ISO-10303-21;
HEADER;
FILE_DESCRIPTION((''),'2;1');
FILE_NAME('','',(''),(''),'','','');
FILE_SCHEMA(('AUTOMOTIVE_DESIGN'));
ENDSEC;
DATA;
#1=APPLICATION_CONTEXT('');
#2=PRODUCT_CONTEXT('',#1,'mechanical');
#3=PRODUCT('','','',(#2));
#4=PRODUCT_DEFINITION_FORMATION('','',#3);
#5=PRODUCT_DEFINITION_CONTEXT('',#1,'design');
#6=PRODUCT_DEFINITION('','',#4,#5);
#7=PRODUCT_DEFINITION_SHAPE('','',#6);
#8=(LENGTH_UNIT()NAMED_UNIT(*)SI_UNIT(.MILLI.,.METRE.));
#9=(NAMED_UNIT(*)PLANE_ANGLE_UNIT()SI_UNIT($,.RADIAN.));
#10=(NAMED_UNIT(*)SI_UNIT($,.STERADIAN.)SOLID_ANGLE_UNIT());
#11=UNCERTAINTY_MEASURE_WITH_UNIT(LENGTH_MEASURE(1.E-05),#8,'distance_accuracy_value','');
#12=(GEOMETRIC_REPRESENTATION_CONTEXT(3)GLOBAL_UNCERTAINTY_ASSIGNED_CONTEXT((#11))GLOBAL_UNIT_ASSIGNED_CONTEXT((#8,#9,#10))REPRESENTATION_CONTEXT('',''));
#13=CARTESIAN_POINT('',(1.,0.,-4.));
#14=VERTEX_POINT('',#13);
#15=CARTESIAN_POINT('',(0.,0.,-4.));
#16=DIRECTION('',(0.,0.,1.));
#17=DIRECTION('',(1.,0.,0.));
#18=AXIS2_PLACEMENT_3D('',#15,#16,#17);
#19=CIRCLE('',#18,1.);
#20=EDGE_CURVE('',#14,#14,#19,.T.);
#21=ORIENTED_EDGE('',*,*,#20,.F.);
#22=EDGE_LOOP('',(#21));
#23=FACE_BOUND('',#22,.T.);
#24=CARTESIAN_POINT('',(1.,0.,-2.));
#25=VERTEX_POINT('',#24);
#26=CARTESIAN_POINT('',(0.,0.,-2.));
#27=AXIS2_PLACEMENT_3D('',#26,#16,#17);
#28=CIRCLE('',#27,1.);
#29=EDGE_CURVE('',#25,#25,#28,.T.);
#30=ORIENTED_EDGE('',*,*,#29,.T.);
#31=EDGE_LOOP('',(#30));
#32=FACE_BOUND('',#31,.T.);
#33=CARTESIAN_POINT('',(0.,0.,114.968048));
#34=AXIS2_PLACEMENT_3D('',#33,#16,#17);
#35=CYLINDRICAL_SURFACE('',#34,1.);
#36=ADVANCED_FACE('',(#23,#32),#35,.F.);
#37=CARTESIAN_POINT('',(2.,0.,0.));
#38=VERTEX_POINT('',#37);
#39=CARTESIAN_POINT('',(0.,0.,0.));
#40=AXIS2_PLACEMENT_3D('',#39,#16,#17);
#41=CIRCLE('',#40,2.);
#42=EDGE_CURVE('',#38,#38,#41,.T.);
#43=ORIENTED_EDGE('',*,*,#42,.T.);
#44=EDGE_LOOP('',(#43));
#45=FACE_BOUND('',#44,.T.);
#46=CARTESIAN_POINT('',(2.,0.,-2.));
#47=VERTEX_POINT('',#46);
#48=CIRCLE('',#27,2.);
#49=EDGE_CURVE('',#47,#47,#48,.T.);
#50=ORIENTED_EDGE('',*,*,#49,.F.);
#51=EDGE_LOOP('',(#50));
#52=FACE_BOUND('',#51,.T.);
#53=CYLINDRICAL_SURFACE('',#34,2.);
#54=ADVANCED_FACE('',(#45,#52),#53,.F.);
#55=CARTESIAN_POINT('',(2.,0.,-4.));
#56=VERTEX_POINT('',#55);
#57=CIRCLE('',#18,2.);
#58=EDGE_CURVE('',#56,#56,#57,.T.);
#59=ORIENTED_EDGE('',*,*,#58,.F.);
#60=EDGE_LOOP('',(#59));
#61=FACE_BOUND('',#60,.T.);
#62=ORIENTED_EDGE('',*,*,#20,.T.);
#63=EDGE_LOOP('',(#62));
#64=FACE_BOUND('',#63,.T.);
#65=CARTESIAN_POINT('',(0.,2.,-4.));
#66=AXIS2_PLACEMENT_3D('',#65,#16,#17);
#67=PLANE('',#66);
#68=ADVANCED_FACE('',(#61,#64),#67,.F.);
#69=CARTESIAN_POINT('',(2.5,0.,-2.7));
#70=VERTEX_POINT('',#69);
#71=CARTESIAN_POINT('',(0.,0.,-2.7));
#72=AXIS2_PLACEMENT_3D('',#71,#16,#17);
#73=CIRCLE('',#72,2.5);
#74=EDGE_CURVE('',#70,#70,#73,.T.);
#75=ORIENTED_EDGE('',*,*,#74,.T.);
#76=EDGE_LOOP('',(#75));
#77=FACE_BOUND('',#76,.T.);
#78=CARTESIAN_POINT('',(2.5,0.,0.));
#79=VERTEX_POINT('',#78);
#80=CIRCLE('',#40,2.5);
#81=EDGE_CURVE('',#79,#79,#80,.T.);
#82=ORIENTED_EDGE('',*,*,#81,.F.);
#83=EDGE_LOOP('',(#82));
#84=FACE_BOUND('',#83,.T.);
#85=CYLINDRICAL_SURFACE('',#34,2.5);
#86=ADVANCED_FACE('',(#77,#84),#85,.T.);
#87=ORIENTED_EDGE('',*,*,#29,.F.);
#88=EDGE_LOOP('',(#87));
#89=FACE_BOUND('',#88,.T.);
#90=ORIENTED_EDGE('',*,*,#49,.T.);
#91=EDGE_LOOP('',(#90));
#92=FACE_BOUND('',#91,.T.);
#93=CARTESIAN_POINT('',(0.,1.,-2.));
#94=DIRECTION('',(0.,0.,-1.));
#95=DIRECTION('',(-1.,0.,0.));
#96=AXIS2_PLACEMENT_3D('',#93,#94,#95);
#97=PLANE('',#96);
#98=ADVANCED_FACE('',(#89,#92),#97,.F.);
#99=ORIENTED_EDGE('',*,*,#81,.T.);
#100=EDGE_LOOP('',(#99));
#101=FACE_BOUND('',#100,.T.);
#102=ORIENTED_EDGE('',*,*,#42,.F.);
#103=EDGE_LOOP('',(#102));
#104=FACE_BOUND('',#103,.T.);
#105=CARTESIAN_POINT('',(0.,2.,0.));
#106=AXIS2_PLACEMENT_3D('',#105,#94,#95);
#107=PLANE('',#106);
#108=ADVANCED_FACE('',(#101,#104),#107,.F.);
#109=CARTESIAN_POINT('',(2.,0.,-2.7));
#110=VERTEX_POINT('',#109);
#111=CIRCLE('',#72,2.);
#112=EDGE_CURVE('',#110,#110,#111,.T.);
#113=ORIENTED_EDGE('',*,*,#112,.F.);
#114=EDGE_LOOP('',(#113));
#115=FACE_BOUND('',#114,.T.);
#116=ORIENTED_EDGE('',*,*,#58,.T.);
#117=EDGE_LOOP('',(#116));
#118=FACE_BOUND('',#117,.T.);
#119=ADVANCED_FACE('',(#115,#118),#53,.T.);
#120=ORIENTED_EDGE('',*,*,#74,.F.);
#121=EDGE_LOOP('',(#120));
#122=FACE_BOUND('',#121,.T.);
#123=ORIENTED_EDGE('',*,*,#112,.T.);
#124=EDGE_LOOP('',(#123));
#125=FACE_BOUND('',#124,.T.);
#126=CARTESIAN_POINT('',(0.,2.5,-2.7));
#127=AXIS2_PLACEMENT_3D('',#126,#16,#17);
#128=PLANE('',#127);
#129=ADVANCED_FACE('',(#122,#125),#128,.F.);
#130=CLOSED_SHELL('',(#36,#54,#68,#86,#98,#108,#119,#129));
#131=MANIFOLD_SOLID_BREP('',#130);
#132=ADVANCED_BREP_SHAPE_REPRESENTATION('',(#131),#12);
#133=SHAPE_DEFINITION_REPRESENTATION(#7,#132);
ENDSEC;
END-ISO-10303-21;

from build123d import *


with BuildPart() as part:
    # Sketch1 → Revolve1 (revolve)
    with BuildSketch(Plane(origin=(0, 0, 0), x_dir=(0, 0, -1), z_dir=(1, 0, 0)), mode=Mode.PRIVATE) as revolve1_sk:
        Polygon((0, 2.5), (2.7, 2.5), (2.7, 2), (4, 2), (4, 1), (2, 1), (2, 2), (0, 2), align=None)
    revolve(revolve1_sk.sketch.rotate(Axis((0, 0, 114.968048005), (0, 0, -1)), 90), axis=Axis((0, 0, 114.968048005), (0, 0, -1)))


solid = part.part
